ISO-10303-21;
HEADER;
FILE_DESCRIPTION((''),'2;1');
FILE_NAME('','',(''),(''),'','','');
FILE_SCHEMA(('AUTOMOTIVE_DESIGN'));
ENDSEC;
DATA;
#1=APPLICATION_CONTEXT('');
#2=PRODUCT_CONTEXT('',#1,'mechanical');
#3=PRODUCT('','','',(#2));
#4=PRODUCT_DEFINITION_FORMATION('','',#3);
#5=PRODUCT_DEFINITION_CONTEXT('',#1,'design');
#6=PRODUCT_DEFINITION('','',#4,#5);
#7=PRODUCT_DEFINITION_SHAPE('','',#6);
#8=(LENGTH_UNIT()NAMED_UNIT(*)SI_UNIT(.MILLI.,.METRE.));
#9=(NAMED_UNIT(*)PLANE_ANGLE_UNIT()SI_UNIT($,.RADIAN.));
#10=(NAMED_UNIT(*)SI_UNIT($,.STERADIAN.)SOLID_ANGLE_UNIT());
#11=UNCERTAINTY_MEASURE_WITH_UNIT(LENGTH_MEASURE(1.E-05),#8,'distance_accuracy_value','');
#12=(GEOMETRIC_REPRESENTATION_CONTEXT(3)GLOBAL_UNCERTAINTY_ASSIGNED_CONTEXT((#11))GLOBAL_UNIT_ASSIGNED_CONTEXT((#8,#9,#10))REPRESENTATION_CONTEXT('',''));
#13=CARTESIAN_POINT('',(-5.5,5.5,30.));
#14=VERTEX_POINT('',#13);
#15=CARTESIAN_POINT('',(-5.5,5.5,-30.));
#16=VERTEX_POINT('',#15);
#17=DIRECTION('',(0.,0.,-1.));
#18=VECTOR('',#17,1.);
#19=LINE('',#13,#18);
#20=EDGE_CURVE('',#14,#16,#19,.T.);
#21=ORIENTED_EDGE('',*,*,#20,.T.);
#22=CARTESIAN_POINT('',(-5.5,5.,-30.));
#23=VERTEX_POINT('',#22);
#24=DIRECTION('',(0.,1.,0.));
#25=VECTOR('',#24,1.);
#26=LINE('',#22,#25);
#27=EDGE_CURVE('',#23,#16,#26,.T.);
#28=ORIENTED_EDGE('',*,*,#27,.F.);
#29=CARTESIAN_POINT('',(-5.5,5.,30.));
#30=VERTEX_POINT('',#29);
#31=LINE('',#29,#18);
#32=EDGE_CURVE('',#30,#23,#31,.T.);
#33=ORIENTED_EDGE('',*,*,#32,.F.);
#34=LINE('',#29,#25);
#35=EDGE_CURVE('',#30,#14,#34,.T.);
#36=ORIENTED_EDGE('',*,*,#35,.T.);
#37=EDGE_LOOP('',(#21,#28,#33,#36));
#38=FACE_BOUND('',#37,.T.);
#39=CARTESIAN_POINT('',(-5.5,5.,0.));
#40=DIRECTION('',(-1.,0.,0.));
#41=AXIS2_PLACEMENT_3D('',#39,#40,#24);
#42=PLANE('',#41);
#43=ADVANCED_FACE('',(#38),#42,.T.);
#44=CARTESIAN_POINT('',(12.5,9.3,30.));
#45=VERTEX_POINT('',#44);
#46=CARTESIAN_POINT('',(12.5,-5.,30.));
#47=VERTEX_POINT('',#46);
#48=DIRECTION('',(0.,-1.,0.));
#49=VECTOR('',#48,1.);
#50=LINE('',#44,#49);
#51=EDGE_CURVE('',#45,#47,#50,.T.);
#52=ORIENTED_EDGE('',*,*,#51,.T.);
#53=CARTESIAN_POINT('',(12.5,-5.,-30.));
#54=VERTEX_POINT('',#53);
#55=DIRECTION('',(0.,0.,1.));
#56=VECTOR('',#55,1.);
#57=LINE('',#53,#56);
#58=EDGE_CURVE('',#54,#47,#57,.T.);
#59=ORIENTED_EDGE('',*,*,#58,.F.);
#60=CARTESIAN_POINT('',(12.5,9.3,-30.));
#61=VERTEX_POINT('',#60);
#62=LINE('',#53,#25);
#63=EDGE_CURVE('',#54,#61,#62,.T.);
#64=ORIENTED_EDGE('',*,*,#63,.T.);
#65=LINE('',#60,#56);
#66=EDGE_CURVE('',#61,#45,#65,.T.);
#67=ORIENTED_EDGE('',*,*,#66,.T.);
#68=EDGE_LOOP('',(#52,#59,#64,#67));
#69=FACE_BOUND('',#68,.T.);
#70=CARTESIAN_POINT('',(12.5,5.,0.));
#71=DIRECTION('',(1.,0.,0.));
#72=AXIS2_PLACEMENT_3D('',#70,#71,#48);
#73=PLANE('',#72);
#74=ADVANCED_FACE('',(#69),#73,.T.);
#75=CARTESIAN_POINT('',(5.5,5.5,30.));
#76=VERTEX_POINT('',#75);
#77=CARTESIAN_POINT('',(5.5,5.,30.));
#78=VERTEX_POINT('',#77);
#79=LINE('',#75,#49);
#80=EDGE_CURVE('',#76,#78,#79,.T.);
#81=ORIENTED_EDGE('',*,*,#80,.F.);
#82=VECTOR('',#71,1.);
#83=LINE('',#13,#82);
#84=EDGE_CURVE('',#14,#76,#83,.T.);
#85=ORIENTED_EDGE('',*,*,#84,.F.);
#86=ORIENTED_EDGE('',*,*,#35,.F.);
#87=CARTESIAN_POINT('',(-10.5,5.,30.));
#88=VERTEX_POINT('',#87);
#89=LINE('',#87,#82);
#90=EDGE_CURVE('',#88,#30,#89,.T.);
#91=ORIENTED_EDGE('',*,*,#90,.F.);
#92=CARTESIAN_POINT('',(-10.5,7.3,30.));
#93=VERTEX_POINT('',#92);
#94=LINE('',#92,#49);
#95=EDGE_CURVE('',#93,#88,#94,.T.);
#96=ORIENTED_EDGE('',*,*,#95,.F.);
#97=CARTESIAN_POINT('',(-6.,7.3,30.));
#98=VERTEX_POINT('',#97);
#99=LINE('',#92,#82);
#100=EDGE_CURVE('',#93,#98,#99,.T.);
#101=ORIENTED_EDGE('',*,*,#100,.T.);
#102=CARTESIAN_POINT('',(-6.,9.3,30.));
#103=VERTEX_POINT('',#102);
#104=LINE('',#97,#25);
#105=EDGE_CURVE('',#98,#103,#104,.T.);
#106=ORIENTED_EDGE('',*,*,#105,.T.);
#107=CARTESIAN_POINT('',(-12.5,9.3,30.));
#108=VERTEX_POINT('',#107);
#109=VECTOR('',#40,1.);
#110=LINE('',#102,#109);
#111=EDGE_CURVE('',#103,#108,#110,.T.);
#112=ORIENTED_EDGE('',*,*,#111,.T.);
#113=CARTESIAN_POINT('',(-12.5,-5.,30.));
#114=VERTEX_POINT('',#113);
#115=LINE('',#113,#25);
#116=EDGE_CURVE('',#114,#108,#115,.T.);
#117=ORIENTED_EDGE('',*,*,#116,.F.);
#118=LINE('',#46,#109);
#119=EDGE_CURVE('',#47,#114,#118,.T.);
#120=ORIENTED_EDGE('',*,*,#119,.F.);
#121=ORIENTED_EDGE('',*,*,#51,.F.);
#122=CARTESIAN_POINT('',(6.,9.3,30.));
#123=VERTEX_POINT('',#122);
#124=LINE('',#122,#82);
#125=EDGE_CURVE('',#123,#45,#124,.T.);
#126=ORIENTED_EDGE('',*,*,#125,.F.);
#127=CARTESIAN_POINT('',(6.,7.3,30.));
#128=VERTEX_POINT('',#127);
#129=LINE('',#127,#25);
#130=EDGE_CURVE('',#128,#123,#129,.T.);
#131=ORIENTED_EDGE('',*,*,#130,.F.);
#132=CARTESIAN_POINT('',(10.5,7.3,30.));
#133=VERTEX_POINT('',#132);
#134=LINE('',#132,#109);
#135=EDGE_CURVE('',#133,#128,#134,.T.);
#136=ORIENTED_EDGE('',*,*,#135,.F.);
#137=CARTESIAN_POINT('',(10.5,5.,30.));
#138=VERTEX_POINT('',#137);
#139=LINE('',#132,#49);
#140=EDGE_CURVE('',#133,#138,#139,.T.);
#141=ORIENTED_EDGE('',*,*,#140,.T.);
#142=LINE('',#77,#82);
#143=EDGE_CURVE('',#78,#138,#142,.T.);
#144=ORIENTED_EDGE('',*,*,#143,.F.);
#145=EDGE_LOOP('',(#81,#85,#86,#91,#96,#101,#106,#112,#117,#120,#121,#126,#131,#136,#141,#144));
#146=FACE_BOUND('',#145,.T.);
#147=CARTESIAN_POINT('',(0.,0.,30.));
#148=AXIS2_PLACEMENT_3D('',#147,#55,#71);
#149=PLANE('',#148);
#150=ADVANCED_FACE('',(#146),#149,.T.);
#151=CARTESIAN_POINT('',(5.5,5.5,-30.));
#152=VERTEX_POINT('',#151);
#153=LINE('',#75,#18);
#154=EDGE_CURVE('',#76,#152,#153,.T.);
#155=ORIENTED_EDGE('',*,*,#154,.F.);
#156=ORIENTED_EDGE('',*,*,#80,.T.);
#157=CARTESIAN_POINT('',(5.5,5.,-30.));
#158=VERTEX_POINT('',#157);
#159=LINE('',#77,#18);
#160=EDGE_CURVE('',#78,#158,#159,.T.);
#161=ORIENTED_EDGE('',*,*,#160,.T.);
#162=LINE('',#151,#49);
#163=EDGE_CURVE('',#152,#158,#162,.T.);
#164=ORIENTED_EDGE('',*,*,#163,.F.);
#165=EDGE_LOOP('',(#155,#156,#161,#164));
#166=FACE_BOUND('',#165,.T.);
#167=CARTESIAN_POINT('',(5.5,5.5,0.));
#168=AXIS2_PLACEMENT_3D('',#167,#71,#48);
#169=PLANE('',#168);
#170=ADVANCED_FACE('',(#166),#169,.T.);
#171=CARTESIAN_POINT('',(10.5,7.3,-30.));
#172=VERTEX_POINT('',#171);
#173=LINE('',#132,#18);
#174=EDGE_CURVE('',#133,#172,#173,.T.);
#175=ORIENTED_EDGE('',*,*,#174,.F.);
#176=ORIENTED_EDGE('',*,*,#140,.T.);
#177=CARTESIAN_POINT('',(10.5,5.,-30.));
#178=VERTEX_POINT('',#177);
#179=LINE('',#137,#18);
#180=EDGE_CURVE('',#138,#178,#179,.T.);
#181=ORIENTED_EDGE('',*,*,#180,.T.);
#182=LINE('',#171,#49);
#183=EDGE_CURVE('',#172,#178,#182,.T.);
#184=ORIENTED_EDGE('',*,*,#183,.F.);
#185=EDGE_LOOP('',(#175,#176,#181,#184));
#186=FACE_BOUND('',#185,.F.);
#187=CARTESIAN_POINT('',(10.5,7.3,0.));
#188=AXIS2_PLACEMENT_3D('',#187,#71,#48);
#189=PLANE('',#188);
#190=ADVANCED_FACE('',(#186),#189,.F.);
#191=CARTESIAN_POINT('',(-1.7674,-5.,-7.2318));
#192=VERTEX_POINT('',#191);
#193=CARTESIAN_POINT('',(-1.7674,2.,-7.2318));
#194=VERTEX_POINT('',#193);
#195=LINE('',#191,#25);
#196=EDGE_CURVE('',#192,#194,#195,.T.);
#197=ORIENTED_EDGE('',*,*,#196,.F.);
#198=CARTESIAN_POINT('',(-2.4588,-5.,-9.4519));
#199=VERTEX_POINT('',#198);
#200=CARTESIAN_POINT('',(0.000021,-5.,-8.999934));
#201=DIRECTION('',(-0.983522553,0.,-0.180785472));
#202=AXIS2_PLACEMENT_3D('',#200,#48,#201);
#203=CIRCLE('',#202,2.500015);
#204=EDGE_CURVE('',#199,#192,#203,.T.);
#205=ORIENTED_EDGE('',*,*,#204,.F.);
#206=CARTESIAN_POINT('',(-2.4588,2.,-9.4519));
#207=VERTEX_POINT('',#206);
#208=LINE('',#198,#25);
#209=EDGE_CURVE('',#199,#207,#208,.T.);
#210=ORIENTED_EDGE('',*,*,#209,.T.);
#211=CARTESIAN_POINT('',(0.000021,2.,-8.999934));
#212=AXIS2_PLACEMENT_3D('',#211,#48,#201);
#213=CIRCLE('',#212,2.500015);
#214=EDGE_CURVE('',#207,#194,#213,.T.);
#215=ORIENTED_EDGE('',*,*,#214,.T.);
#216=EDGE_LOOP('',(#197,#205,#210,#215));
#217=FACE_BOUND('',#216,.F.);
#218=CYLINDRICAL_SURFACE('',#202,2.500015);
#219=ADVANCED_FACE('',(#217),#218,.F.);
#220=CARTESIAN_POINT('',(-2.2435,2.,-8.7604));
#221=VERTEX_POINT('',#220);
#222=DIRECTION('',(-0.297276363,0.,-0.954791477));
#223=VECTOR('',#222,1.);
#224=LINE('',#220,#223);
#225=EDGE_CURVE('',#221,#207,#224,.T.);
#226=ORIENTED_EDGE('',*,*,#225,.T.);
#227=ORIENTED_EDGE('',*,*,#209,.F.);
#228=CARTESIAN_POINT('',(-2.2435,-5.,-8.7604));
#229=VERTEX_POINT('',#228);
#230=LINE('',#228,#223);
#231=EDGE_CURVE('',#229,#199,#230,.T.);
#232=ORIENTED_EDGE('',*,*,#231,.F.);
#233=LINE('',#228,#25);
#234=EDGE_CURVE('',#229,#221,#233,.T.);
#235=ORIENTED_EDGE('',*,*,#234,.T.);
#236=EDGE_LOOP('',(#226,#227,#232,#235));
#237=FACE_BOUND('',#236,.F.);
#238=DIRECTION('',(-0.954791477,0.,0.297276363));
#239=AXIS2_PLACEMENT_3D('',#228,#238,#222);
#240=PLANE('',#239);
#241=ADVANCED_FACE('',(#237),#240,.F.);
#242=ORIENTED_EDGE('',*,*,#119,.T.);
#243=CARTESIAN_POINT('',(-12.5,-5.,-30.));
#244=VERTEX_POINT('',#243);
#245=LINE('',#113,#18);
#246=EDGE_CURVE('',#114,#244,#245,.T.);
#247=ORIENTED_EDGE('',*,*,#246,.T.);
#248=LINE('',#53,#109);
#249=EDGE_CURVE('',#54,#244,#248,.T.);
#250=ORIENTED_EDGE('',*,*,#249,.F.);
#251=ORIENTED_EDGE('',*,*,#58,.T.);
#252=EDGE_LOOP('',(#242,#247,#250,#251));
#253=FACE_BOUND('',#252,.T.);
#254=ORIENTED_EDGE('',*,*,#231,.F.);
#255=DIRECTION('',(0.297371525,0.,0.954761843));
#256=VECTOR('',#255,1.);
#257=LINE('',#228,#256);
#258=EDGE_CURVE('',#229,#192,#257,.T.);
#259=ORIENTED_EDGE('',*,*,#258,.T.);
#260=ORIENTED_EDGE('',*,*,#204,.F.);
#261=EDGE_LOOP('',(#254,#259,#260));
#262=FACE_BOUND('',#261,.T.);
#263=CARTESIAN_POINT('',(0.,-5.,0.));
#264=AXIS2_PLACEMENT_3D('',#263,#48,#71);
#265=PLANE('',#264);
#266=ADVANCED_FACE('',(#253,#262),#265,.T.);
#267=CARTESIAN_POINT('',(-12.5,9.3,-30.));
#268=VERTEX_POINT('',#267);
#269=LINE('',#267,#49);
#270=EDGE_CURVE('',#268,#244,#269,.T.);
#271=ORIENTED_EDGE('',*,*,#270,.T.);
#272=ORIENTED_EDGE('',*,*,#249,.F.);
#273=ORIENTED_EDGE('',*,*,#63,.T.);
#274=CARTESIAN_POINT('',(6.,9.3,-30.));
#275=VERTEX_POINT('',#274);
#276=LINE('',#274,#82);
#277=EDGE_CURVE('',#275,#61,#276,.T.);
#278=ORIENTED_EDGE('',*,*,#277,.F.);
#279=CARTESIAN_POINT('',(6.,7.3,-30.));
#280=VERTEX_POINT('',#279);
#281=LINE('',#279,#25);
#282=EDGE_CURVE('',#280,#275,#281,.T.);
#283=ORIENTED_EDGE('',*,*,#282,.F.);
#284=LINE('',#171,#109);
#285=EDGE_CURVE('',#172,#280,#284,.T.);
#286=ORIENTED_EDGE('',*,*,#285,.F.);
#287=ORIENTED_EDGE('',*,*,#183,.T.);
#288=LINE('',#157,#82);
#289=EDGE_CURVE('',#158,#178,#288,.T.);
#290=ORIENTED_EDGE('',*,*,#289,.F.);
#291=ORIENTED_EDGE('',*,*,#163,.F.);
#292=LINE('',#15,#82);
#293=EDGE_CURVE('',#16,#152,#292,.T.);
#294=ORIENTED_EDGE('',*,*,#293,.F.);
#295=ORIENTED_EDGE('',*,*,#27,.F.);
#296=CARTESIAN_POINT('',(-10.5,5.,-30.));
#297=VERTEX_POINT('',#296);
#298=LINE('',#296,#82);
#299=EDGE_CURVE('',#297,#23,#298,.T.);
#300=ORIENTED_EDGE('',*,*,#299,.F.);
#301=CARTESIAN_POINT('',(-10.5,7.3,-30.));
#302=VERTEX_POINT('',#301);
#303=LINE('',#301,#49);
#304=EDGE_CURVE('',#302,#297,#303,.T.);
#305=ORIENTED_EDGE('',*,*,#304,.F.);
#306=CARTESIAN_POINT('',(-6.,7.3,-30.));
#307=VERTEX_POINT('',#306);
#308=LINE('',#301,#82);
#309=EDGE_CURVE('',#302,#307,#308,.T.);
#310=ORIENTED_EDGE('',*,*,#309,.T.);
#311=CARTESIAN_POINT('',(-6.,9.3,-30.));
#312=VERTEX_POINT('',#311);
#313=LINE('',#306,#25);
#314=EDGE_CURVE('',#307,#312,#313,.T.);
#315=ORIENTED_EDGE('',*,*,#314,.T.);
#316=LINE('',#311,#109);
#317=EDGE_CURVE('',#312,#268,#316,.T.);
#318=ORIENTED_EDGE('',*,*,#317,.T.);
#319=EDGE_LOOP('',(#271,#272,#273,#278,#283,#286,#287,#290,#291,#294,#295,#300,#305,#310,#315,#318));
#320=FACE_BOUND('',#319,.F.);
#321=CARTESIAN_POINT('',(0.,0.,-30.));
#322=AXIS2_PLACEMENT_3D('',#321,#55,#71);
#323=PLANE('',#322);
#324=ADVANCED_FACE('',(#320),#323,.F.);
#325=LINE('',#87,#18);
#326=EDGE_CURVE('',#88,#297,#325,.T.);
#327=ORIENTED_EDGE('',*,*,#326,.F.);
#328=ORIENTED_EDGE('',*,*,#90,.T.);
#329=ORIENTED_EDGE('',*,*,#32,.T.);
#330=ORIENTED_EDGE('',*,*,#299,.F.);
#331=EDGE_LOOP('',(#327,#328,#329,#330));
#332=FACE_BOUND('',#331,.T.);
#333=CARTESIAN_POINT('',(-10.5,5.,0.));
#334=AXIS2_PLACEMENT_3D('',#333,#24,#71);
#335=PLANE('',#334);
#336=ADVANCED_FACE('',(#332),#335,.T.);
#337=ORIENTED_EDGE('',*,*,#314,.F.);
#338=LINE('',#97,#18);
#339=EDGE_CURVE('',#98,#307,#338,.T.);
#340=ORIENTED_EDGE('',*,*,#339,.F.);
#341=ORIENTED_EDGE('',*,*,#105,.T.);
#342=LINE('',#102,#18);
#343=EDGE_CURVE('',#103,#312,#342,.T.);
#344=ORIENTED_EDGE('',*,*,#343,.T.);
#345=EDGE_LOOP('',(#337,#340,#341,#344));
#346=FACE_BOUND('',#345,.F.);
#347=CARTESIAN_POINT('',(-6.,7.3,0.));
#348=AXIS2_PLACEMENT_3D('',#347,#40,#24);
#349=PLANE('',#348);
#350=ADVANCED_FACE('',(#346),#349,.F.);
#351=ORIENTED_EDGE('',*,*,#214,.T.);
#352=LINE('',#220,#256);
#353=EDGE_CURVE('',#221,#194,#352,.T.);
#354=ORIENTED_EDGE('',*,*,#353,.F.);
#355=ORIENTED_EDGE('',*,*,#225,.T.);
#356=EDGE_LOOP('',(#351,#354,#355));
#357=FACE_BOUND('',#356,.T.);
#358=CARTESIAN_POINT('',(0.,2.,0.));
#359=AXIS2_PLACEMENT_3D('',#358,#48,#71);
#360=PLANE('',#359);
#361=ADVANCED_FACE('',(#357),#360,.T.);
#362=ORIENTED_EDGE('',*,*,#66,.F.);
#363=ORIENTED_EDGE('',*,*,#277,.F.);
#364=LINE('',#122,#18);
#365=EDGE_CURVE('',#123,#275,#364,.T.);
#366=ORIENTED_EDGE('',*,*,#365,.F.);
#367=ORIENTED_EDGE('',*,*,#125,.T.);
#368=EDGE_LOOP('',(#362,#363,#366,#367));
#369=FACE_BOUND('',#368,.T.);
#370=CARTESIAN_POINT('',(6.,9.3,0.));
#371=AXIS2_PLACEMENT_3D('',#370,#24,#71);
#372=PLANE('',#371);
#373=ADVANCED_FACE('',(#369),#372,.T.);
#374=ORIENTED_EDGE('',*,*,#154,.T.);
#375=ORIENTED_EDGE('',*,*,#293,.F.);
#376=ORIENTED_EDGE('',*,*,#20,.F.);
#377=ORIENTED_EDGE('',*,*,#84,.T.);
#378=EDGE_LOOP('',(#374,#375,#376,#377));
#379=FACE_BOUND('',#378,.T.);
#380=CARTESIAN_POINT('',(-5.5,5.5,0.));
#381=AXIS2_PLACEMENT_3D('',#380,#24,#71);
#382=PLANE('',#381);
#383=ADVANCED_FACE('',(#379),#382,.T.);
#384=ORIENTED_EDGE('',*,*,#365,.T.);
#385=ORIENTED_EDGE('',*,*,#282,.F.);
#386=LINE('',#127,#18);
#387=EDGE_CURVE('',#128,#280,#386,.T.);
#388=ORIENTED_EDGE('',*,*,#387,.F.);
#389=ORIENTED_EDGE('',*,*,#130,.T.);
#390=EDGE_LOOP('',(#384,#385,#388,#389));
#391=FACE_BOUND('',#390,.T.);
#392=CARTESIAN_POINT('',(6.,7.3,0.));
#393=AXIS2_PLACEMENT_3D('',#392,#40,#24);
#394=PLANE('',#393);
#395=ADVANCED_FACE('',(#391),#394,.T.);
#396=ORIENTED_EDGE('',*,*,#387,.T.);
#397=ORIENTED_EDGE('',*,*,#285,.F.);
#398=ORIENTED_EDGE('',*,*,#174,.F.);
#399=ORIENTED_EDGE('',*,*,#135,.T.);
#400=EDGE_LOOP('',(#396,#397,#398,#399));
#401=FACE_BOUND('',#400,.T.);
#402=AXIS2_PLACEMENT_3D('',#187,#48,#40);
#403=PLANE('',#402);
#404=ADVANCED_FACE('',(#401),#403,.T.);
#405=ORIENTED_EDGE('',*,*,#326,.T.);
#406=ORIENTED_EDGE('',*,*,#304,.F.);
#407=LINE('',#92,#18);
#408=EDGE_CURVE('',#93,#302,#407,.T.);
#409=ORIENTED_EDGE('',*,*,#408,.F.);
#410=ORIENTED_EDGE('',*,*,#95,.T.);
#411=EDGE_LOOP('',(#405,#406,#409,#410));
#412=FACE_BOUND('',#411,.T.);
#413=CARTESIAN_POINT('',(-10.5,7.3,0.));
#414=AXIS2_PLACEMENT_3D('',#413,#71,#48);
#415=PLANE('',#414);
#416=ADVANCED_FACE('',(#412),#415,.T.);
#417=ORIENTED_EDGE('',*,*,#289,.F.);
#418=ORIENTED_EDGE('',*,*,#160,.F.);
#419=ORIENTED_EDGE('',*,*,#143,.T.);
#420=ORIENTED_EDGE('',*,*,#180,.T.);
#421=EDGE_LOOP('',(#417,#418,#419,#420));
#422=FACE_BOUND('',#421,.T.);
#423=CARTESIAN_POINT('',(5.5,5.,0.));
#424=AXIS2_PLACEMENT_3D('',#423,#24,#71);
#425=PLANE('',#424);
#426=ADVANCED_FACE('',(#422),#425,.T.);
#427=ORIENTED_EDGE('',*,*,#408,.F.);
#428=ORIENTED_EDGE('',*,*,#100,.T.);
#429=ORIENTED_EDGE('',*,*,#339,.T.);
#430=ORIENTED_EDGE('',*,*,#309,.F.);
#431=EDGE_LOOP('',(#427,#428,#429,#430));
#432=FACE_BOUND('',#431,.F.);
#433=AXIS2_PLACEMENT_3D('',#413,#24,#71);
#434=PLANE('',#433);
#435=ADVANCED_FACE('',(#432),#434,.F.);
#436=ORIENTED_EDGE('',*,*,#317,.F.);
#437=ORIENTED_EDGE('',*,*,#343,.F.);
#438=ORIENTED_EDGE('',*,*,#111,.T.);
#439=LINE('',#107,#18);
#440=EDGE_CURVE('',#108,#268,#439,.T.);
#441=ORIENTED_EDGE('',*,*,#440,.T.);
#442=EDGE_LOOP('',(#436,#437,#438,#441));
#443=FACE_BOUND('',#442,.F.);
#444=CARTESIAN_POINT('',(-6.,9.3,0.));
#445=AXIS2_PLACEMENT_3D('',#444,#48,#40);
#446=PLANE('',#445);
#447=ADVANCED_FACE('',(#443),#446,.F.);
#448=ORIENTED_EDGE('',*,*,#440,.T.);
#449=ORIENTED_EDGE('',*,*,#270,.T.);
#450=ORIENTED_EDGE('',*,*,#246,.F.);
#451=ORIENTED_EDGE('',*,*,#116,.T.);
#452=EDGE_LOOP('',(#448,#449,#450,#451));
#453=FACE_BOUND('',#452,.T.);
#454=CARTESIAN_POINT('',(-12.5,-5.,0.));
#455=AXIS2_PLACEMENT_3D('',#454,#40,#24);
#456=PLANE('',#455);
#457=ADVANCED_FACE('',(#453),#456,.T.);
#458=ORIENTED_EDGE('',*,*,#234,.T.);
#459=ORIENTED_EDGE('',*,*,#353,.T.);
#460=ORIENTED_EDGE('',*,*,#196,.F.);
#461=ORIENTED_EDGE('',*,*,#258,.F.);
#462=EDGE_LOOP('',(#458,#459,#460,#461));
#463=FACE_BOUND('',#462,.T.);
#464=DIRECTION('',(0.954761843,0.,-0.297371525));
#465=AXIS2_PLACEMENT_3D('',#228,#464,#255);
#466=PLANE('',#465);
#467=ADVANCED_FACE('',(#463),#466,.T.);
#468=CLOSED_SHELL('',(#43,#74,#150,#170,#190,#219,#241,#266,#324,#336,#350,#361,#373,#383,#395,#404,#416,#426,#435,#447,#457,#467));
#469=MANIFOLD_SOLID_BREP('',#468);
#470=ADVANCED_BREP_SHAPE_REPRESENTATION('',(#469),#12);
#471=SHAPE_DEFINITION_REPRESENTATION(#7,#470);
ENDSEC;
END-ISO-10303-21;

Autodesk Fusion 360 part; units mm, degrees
sketch "Sketch1" plane through (0, 0, 0) normal (0, 0, 1) x (1, 0, 0)
  line L0 (12.5, -5) -> (-12.5, -5)
  line L1 (-12.5, -5) -> (-12.5, 5)
  line L2 (12.5, 5) -> (12.5, -5)
  line L3 (12.5, -5) -> (-12.5, 5) construction
  line L4 (-12.5, -5) -> (12.5, 5) construction
  line L5 (12.5, 5) -> (12.5, 7.3)
  line L6 (10.5, 7.3) -> (10.5, 5)
  line L7 (-5.5, 5.5) -> (5.5, 5.5)
  line L8 (5.5, 5.5) -> (5.5, 5)
  line L9 (-5.5, 5) -> (-5.5, 5.5)
  line L10 (6, 9.3) -> (12.5, 9.3)
  line L11 (12.5, 9.3) -> (12.5, 7.3)
  line L12 (10.5, 7.3) -> (6, 7.3)
  line L13 (6, 7.3) -> (6, 9.3)
  line L14 (-10.5, 5) -> (-5.5, 5)
  line L15 (5.5, 5) -> (10.5, 5)
  line L16 (0, 5.5) -> (0, -5) construction
  line L17 (-6, 7.3) -> (-6, 9.3)
  line L18 (-12.5, 9.3) -> (-12.5, 7.3)
  line L19 (-10.5, 7.3) -> (-10.5, 5)
  line L20 (-12.5, 5) -> (-12.5, 7.3)
  line L21 (-10.5, 7.3) -> (-6, 7.3)
  line L22 (-6, 9.3) -> (-12.5, 9.3)
  dimension "d3" = 25
  dimension "d5" = 10
  dimension "d11" = 11
  dimension "d13" = 0.5
  dimension "d14" = 2.3
  dimension "d17" = 6.5
  dimension "d18" = 2
extrude "Extrude1" add sketch "Sketch1" along normal blind 30 and the other way blind 30
sketch "Sketch2" plane through (0, -5, 0) normal (0, -1, 0) x (1, 0, 0)
  line L0 (12.5, -30) -> (12.5, 30)
  line L1 (12.5, 30) -> (-12.5, 30)
  line L2 (-12.5, 30) -> (-12.5, -30)
  line L3 (-12.5, -30) -> (12.5, -30)
  circle A0 centre (0, 20) radius 9
  line L4 (0, 30) -> (0, 0) construction
  dimension "d23" = 18
extrude "Extrude2" cut sketch "Sketch2" against normal blind 5 contours A0
sketch "Sketch3" plane through (0, -5, 0) normal (0, -1, 0) x (1, 0, 0)
  circle A0 centre (0, 20) radius 9
  line L0 (12.5, -30) -> (12.5, 30)
  line L1 (12.5, 30) -> (-12.5, 30)
  line L2 (-12.5, 30) -> (-12.5, -30)
  line L3 (-12.5, -30) -> (12.5, -30)
  line L4 (0, 11) -> (0, -9) construction
  line L5 (2.3874, -9.7418) -> (8, -9.7418) construction
  line L6 (-2.2435, -8.7604) -> (-1.7674, -7.2318)
  line L7 (-2.2435, -8.7604) -> (-2.4588, -9.4519)
  arc A1 (-2.4588, -9.4519) -> (-1.7674, -7.2318) centre (0, -9) ccw
  point P0 (-9, 20)
  dimension "d26" = 5
extrude "Extrude3" cut sketch "Sketch3" against normal blind 7 contours L6 L7 A1
extrude "Extrude4" add 1 faces at (1.8705, 0, 22.3455) along direction (0, -1, 0) blind 5
